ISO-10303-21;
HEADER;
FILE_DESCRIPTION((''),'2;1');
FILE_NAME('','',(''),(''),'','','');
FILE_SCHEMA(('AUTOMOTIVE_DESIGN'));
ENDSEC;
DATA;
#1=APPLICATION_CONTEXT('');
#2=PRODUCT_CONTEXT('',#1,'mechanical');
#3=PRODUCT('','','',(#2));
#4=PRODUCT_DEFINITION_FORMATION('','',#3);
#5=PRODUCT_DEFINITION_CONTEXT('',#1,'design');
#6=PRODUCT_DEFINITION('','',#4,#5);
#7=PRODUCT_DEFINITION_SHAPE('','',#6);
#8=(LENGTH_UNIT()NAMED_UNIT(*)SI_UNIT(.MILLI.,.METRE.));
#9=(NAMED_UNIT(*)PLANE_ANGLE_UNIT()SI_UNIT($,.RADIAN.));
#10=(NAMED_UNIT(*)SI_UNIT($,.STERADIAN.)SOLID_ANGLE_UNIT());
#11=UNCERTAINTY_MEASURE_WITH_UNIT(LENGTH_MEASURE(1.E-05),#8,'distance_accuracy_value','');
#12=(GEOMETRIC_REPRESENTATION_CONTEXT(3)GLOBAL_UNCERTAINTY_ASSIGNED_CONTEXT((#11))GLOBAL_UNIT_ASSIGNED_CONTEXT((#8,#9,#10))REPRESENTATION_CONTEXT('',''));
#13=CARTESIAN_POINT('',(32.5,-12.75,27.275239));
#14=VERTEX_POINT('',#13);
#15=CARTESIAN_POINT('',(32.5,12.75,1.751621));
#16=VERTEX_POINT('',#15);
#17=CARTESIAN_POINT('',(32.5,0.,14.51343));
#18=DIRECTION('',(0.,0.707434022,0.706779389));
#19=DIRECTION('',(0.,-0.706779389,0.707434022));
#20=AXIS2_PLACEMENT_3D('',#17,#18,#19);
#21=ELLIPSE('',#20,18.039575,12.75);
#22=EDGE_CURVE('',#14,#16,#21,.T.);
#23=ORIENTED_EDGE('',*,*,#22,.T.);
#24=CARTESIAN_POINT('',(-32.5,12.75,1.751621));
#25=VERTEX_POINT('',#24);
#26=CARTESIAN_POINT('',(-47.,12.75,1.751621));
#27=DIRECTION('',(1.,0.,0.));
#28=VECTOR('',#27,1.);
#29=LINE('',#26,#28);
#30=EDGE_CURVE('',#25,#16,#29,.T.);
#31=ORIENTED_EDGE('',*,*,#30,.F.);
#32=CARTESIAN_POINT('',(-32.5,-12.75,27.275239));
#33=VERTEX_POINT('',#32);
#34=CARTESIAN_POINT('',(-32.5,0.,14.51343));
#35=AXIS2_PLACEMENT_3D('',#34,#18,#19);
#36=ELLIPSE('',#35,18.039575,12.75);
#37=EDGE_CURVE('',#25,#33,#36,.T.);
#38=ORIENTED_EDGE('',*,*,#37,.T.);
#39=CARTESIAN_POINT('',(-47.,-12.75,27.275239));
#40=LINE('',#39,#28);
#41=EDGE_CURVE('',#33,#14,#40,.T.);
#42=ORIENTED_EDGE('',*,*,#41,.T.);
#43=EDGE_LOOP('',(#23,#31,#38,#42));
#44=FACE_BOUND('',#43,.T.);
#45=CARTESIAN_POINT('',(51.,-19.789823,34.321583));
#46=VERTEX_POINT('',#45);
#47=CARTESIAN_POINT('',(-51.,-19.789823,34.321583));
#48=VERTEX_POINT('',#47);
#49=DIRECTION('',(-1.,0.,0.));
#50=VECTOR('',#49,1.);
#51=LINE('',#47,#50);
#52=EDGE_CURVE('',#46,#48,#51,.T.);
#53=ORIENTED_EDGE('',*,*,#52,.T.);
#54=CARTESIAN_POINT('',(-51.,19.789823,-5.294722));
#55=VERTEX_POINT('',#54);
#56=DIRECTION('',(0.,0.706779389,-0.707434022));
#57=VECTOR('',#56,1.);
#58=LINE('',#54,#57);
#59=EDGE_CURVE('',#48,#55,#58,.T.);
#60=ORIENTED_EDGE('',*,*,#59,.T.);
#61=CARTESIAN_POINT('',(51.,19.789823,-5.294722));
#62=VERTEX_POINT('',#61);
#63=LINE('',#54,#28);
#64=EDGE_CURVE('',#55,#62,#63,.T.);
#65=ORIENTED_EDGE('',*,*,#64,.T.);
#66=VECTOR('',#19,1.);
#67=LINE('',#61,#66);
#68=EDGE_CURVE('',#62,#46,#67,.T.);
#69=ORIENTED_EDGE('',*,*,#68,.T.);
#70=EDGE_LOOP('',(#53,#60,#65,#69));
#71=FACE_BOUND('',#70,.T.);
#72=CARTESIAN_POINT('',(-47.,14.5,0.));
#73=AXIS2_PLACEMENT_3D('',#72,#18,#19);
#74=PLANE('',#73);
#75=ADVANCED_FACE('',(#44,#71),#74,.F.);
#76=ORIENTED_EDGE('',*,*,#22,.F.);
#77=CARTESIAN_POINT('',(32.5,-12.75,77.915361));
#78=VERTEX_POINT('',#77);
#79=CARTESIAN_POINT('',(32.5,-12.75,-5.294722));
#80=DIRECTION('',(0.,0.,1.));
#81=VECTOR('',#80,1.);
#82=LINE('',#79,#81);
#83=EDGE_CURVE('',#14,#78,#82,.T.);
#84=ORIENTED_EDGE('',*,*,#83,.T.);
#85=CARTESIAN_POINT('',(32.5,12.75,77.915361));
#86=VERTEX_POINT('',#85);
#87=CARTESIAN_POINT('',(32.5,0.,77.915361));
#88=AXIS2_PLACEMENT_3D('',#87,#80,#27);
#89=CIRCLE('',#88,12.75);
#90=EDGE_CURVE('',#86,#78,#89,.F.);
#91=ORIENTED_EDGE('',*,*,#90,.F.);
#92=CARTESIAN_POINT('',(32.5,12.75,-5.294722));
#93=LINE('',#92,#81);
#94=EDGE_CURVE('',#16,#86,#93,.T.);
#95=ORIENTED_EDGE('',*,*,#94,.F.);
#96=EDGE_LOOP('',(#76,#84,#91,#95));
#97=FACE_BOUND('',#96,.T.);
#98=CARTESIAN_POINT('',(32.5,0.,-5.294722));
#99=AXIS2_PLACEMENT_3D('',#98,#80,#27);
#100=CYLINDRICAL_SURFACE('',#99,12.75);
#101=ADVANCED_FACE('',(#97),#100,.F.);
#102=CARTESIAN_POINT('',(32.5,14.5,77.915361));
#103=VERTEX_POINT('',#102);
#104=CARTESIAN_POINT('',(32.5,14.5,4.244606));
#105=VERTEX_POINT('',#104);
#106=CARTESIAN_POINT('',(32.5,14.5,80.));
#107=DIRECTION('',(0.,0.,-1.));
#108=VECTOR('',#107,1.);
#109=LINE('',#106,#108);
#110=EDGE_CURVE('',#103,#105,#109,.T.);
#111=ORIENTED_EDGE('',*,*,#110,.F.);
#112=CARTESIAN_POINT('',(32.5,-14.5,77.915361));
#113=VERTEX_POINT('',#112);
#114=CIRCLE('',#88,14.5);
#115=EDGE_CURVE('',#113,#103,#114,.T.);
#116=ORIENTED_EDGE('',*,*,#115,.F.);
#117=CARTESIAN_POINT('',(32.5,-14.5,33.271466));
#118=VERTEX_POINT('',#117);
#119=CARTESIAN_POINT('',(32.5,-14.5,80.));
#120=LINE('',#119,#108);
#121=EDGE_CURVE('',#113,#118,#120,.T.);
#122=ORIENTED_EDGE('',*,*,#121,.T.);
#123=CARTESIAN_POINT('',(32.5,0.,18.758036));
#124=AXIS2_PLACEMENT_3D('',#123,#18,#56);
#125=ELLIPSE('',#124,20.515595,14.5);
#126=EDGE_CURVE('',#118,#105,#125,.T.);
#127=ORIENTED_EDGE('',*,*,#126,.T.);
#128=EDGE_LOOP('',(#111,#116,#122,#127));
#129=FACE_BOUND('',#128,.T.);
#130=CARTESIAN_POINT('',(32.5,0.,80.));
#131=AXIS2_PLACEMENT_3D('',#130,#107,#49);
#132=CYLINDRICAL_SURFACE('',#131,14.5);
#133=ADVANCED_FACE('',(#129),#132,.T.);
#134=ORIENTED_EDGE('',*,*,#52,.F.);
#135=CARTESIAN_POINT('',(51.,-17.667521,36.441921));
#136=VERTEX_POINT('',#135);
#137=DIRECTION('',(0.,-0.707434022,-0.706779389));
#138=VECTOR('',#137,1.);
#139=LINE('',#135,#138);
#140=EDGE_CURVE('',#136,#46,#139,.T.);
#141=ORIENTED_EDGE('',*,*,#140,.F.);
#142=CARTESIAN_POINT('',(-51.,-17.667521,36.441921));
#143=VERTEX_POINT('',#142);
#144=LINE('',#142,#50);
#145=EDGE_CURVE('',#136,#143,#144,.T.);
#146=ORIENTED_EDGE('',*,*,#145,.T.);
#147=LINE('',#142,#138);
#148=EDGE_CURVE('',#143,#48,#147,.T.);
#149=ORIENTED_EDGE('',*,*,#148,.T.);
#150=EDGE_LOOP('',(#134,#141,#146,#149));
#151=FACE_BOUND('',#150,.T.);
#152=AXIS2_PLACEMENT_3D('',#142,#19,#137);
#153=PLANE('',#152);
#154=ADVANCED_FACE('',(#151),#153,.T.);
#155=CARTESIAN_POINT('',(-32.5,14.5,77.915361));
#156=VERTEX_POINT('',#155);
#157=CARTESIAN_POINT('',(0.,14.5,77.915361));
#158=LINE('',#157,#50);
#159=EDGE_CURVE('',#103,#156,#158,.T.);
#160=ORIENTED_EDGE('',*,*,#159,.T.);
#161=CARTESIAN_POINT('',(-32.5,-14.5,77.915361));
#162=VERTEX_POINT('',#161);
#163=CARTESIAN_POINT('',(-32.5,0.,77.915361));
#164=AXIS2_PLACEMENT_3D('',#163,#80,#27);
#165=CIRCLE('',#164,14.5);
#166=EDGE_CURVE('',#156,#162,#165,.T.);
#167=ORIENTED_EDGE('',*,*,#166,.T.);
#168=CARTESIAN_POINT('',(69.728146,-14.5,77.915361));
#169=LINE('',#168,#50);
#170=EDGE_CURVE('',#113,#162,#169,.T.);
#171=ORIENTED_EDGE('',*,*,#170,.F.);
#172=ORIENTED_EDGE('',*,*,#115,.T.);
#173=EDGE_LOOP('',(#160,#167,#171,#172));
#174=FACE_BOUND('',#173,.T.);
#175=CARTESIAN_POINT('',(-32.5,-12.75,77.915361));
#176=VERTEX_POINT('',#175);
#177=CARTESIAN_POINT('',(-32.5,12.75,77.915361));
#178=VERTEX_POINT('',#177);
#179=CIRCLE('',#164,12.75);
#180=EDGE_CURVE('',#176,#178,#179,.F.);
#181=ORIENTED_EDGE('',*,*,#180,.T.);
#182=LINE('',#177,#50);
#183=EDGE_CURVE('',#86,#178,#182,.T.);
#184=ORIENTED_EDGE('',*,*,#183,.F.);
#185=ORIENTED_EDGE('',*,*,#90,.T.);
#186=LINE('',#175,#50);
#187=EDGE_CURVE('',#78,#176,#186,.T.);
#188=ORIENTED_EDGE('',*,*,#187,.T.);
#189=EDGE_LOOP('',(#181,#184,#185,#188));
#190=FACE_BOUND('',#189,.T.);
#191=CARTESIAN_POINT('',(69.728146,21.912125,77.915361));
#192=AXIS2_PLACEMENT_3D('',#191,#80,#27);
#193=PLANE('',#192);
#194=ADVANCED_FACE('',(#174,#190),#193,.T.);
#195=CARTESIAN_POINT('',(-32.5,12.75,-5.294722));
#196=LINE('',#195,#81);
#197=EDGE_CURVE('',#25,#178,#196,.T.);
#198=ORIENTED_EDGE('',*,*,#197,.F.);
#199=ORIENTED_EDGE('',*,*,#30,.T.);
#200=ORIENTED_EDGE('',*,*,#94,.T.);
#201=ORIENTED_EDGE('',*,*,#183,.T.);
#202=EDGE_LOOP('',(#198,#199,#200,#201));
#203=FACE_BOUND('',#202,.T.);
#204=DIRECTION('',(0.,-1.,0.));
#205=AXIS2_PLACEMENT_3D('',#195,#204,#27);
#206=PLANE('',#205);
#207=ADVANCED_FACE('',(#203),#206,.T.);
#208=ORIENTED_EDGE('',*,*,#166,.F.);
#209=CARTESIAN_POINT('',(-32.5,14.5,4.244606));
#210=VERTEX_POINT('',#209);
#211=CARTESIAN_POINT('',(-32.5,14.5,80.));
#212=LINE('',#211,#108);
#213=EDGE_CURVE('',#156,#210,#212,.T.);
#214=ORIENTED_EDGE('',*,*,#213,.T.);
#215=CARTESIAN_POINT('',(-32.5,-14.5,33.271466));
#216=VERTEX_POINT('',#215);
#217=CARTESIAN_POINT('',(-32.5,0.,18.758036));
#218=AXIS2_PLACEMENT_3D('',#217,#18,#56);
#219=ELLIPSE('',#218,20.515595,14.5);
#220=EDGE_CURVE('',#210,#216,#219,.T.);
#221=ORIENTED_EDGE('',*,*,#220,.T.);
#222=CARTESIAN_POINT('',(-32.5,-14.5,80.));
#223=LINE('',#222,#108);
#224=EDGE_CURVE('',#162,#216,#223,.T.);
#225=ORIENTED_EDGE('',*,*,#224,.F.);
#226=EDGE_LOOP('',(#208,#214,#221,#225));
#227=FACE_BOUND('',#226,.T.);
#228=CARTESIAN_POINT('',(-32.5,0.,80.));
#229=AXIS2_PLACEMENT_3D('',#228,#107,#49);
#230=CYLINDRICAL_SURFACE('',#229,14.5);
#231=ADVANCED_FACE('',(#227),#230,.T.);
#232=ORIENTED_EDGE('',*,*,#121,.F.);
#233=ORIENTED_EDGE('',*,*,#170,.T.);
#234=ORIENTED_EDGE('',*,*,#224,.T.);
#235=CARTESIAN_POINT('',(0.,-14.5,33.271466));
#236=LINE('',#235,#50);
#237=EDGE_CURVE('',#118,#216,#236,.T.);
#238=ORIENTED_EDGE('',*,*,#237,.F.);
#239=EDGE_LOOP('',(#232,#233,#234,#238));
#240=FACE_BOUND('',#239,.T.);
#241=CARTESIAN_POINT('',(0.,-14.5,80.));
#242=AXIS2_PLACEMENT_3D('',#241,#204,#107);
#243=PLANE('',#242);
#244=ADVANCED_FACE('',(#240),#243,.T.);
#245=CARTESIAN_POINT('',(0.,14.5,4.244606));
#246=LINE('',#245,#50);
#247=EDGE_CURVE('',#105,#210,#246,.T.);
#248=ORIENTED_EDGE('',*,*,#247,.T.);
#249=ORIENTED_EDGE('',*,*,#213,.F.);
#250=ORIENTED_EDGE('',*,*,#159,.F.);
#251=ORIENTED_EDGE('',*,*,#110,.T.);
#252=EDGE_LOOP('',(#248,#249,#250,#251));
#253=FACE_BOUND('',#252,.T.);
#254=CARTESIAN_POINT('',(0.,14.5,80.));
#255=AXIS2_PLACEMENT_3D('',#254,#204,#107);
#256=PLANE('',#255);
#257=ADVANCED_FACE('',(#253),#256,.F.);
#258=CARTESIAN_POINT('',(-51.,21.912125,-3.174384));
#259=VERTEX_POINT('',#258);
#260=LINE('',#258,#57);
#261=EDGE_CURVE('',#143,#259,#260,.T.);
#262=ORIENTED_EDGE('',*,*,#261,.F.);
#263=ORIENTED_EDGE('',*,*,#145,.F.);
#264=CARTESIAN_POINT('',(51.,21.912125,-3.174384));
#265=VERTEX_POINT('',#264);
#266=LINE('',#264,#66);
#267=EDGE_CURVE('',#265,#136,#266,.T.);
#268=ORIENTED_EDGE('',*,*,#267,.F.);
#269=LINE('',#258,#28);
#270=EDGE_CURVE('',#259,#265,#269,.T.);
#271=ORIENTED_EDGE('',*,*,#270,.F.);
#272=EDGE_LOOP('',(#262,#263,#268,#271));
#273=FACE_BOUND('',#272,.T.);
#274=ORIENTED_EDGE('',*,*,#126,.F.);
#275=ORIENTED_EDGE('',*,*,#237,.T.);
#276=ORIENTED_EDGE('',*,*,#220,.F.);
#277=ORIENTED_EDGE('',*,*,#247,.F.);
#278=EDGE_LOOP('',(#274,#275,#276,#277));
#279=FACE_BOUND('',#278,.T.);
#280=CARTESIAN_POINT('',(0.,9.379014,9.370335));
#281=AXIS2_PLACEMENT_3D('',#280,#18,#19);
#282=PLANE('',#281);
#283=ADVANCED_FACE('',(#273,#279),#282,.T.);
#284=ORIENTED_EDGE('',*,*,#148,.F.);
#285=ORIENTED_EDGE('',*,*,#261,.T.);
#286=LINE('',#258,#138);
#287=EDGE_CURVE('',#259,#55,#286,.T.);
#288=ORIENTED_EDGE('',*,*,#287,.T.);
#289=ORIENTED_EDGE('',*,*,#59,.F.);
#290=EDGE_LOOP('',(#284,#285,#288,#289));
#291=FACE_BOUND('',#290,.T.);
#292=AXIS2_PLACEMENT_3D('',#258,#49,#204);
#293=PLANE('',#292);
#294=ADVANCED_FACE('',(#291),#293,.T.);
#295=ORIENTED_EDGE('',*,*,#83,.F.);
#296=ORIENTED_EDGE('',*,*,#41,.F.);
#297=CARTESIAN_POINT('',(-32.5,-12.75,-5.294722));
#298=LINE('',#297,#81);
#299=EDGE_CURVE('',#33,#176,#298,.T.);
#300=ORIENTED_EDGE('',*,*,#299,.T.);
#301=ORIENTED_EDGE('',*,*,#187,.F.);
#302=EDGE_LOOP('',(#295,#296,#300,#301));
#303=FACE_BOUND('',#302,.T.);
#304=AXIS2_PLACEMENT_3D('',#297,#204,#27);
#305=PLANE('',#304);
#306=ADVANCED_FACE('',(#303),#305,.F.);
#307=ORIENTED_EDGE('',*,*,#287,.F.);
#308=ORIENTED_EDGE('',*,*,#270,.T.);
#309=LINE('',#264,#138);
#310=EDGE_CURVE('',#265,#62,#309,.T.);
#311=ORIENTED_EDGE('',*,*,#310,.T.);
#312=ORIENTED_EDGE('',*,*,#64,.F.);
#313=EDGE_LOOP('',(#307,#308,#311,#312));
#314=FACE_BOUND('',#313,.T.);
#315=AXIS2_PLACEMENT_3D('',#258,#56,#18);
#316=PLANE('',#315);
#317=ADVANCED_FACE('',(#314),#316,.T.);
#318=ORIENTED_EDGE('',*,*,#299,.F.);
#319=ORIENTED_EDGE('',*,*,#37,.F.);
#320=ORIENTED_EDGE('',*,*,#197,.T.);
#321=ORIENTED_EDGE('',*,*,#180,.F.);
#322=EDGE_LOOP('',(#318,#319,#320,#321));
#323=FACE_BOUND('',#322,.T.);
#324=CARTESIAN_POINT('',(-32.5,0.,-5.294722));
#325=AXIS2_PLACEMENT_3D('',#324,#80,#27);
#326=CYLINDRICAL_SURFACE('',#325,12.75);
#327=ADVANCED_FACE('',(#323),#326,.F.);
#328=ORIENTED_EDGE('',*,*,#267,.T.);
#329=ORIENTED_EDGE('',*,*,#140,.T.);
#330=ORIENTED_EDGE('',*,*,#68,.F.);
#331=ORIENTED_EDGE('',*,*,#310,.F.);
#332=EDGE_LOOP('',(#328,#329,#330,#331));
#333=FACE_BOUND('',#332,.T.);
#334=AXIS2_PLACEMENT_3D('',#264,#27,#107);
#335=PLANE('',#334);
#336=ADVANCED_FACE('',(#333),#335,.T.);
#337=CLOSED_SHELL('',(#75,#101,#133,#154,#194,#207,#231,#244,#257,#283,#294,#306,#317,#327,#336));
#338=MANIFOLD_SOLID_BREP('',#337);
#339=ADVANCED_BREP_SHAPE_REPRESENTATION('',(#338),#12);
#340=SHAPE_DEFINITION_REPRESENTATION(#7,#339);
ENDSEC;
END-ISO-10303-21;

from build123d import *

# Parameters (mm, degrees)
BOSS_EXTRUDE12_DEPTH            = 80
CUT_EXTRUDE10_DEPTH             = 114.712356409
CUT_EXTRUDE10_DEPTH_BACK        = 114.712356409
SKETCH37_W                      = 102
SKETCH37_H                      = 56
BOSS_EXTRUDE16_DEPTH            = 3
CUT_EXTRUDE11_DEPTH             = 102.766059637
SKETCH40_W                      = 127.486838651
SKETCH40_H                      = 11.94281061
CUT_EXTRUDE12_DEPTH             = 102.007241851
CUT_EXTRUDE12_DIRECTION_2_REACH = 103.007


with BuildPart() as part:
    # Sketch22 → Boss-Extrude12 (new body)
    with BuildSketch(Plane.XY):
        with BuildLine():
            Line((32.5, -14.5), (-32.5, -14.5))
            ThreePointArc((-32.5, -14.5), (-47, 0), (-32.5, 14.5))
            Line((-32.5, 14.5), (32.5, 14.5))
            ThreePointArc((32.5, 14.5), (47, 0), (32.5, -14.5))
        make_face()
    extrude(amount=BOSS_EXTRUDE12_DEPTH)

    # Sketch35 → Cut-Extrude10 (cut, two sides: drawn at the far end of the back side and taken through both)
    with BuildSketch(Plane(origin=(-32.5, 0, 0), x_dir=(0, 0, -1), z_dir=(1, 0, 0)).offset(-CUT_EXTRUDE10_DEPTH_BACK)):
        Polygon((0, 14.5), (-29.026860374, -14.5), (0, -14.5), align=None)
    extrude(amount=CUT_EXTRUDE10_DEPTH + CUT_EXTRUDE10_DEPTH_BACK, mode=Mode.SUBTRACT)

    # Sketch37 → Boss-Extrude16 (add)
    with BuildSketch(Plane(origin=(0, 7.256711984, 7.249996893), x_dir=(-1, 0, 0), z_dir=(0, -0.7074340219640284, -0.7067793888957138))):
        with Locations((0, -10.26729429)):
            Rectangle(SKETCH37_W, SKETCH37_H)
    extrude(amount=-BOSS_EXTRUDE16_DEPTH)

    # Sketch38 → Cut-Extrude11 (cut, through all)
    with BuildSketch(Plane.XY.offset(80)):
        with BuildLine():
            Line((-32.5, 12.75), (32.5, 12.75))
            ThreePointArc((32.5, 12.75), (45.25, 0), (32.5, -12.75))
            Line((32.5, -12.75), (-32.5, -12.75))
            ThreePointArc((-32.5, -12.75), (-45.25, 0), (-32.5, 12.75))
        make_face()
    extrude(amount=-CUT_EXTRUDE11_DEPTH, mode=Mode.SUBTRACT)

    # Sketch40 → Cut-Extrude12 (cut)
    with BuildSketch(Plane(origin=(0, -12.75, 0), x_dir=(1, 0, 0), z_dir=(0, 1, 0))):
        with Locations((5.984726224, -83.886766037)):
            Rectangle(SKETCH40_W, SKETCH40_H)
    extrude(amount=CUT_EXTRUDE12_DEPTH, mode=Mode.SUBTRACT)

    # Cut-Extrude12 direction 2: up to this face of the body (flat: up to its plane)
    cut_extrude12_direction_2_end = Plane(part.part.faces().sort_by_distance((0, -14.5, 56.635733163))[0])
    # Sketch40 → Cut-Extrude12 direction 2 (cut, up to the picked face)
    with BuildSketch(Plane(origin=(0, -12.75, 0), x_dir=(1, 0, 0), z_dir=(0, 1, 0)), mode=Mode.PRIVATE) as cut_extrude12_direction_2_sk1:
        with Locations((5.984726224, -83.886766037)):
            Rectangle(SKETCH40_W, SKETCH40_H)
    cut_extrude12_direction_2_tool1 = split(extrude(cut_extrude12_direction_2_sk1.sketch, amount=-CUT_EXTRUDE12_DIRECTION_2_REACH, mode=Mode.PRIVATE), bisect_by=cut_extrude12_direction_2_end, keep=Keep.BOTH, mode=Mode.PRIVATE)
    add(cut_extrude12_direction_2_tool1.solids().sort_by(Axis((5.984726, -12.75, 83.886766), (0, -1, 0)))[0], mode=Mode.SUBTRACT)


solid = part.part
